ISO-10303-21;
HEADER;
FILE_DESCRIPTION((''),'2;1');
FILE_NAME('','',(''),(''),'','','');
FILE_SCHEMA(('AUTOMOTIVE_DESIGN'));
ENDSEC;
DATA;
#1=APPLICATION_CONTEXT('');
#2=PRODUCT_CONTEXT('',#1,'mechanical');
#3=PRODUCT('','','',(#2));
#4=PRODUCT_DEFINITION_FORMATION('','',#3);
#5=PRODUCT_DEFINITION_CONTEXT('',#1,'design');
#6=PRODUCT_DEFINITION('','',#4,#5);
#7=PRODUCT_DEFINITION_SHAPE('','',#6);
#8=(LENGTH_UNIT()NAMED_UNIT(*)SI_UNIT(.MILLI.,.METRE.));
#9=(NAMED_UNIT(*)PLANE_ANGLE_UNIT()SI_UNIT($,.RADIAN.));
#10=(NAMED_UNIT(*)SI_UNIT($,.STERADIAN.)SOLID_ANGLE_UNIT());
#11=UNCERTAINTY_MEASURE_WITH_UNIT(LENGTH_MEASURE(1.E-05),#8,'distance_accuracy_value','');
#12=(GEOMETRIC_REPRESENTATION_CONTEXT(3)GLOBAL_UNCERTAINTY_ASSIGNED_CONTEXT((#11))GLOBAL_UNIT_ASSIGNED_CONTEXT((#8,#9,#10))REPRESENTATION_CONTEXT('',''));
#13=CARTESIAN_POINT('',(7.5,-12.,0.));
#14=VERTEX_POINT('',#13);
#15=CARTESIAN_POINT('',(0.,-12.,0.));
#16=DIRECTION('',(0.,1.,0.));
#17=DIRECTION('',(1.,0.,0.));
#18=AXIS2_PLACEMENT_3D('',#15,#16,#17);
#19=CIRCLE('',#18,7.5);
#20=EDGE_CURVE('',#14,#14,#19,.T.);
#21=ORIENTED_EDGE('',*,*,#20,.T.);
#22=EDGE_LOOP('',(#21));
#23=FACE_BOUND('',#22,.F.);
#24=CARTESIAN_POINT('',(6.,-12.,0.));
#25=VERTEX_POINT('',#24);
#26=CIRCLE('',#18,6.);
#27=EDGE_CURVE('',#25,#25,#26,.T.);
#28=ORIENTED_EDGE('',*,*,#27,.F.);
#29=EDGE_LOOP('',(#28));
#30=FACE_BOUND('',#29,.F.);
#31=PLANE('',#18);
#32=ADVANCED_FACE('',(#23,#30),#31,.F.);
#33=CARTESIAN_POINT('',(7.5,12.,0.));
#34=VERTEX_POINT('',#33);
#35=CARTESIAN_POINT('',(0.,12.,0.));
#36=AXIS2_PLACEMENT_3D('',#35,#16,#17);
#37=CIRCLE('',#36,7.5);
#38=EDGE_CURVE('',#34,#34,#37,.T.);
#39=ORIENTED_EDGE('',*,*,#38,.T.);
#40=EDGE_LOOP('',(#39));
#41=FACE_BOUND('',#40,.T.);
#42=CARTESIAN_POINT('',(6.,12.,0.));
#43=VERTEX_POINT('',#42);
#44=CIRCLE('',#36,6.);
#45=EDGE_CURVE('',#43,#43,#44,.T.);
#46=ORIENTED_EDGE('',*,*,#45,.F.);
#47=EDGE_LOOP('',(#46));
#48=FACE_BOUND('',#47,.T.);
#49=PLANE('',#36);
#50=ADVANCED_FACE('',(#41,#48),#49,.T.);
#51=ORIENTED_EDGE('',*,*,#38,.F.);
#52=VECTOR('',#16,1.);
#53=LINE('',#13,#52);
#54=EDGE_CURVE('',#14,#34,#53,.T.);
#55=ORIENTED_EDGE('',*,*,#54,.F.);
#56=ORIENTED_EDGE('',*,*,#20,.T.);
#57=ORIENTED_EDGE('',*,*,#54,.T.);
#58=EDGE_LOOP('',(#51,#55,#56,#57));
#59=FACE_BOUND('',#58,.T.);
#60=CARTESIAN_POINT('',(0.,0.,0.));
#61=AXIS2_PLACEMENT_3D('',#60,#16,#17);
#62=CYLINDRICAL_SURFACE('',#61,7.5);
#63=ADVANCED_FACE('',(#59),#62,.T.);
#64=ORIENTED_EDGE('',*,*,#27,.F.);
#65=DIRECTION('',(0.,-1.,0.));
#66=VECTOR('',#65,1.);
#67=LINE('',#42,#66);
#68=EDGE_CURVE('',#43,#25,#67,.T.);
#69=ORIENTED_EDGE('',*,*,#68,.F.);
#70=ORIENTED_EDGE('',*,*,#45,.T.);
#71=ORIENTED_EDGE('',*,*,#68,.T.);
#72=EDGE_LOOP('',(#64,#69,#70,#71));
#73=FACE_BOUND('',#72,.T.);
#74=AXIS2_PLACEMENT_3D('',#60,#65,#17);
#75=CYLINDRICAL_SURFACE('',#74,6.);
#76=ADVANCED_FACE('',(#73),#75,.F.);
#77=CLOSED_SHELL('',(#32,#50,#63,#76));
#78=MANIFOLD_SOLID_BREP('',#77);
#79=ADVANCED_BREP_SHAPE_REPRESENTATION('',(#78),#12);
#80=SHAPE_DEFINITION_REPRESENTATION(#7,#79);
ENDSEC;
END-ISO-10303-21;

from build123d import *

# Parameters (mm, degrees)
SKETCH1_R           = 7.5
SKETCH1_R_2         = 6
BOSS_EXTRUDE1_DEPTH = 12


with BuildPart() as part:
    # Sketch1 → Boss-Extrude1 (new body, symmetric)
    with BuildSketch(Plane(origin=(0, 0, 0), x_dir=(1, 0, 0), z_dir=(0, 1, 0))):
        Circle(SKETCH1_R)
        Circle(SKETCH1_R_2, mode=Mode.SUBTRACT)
    extrude(amount=BOSS_EXTRUDE1_DEPTH, both=True)


solid = part.part
